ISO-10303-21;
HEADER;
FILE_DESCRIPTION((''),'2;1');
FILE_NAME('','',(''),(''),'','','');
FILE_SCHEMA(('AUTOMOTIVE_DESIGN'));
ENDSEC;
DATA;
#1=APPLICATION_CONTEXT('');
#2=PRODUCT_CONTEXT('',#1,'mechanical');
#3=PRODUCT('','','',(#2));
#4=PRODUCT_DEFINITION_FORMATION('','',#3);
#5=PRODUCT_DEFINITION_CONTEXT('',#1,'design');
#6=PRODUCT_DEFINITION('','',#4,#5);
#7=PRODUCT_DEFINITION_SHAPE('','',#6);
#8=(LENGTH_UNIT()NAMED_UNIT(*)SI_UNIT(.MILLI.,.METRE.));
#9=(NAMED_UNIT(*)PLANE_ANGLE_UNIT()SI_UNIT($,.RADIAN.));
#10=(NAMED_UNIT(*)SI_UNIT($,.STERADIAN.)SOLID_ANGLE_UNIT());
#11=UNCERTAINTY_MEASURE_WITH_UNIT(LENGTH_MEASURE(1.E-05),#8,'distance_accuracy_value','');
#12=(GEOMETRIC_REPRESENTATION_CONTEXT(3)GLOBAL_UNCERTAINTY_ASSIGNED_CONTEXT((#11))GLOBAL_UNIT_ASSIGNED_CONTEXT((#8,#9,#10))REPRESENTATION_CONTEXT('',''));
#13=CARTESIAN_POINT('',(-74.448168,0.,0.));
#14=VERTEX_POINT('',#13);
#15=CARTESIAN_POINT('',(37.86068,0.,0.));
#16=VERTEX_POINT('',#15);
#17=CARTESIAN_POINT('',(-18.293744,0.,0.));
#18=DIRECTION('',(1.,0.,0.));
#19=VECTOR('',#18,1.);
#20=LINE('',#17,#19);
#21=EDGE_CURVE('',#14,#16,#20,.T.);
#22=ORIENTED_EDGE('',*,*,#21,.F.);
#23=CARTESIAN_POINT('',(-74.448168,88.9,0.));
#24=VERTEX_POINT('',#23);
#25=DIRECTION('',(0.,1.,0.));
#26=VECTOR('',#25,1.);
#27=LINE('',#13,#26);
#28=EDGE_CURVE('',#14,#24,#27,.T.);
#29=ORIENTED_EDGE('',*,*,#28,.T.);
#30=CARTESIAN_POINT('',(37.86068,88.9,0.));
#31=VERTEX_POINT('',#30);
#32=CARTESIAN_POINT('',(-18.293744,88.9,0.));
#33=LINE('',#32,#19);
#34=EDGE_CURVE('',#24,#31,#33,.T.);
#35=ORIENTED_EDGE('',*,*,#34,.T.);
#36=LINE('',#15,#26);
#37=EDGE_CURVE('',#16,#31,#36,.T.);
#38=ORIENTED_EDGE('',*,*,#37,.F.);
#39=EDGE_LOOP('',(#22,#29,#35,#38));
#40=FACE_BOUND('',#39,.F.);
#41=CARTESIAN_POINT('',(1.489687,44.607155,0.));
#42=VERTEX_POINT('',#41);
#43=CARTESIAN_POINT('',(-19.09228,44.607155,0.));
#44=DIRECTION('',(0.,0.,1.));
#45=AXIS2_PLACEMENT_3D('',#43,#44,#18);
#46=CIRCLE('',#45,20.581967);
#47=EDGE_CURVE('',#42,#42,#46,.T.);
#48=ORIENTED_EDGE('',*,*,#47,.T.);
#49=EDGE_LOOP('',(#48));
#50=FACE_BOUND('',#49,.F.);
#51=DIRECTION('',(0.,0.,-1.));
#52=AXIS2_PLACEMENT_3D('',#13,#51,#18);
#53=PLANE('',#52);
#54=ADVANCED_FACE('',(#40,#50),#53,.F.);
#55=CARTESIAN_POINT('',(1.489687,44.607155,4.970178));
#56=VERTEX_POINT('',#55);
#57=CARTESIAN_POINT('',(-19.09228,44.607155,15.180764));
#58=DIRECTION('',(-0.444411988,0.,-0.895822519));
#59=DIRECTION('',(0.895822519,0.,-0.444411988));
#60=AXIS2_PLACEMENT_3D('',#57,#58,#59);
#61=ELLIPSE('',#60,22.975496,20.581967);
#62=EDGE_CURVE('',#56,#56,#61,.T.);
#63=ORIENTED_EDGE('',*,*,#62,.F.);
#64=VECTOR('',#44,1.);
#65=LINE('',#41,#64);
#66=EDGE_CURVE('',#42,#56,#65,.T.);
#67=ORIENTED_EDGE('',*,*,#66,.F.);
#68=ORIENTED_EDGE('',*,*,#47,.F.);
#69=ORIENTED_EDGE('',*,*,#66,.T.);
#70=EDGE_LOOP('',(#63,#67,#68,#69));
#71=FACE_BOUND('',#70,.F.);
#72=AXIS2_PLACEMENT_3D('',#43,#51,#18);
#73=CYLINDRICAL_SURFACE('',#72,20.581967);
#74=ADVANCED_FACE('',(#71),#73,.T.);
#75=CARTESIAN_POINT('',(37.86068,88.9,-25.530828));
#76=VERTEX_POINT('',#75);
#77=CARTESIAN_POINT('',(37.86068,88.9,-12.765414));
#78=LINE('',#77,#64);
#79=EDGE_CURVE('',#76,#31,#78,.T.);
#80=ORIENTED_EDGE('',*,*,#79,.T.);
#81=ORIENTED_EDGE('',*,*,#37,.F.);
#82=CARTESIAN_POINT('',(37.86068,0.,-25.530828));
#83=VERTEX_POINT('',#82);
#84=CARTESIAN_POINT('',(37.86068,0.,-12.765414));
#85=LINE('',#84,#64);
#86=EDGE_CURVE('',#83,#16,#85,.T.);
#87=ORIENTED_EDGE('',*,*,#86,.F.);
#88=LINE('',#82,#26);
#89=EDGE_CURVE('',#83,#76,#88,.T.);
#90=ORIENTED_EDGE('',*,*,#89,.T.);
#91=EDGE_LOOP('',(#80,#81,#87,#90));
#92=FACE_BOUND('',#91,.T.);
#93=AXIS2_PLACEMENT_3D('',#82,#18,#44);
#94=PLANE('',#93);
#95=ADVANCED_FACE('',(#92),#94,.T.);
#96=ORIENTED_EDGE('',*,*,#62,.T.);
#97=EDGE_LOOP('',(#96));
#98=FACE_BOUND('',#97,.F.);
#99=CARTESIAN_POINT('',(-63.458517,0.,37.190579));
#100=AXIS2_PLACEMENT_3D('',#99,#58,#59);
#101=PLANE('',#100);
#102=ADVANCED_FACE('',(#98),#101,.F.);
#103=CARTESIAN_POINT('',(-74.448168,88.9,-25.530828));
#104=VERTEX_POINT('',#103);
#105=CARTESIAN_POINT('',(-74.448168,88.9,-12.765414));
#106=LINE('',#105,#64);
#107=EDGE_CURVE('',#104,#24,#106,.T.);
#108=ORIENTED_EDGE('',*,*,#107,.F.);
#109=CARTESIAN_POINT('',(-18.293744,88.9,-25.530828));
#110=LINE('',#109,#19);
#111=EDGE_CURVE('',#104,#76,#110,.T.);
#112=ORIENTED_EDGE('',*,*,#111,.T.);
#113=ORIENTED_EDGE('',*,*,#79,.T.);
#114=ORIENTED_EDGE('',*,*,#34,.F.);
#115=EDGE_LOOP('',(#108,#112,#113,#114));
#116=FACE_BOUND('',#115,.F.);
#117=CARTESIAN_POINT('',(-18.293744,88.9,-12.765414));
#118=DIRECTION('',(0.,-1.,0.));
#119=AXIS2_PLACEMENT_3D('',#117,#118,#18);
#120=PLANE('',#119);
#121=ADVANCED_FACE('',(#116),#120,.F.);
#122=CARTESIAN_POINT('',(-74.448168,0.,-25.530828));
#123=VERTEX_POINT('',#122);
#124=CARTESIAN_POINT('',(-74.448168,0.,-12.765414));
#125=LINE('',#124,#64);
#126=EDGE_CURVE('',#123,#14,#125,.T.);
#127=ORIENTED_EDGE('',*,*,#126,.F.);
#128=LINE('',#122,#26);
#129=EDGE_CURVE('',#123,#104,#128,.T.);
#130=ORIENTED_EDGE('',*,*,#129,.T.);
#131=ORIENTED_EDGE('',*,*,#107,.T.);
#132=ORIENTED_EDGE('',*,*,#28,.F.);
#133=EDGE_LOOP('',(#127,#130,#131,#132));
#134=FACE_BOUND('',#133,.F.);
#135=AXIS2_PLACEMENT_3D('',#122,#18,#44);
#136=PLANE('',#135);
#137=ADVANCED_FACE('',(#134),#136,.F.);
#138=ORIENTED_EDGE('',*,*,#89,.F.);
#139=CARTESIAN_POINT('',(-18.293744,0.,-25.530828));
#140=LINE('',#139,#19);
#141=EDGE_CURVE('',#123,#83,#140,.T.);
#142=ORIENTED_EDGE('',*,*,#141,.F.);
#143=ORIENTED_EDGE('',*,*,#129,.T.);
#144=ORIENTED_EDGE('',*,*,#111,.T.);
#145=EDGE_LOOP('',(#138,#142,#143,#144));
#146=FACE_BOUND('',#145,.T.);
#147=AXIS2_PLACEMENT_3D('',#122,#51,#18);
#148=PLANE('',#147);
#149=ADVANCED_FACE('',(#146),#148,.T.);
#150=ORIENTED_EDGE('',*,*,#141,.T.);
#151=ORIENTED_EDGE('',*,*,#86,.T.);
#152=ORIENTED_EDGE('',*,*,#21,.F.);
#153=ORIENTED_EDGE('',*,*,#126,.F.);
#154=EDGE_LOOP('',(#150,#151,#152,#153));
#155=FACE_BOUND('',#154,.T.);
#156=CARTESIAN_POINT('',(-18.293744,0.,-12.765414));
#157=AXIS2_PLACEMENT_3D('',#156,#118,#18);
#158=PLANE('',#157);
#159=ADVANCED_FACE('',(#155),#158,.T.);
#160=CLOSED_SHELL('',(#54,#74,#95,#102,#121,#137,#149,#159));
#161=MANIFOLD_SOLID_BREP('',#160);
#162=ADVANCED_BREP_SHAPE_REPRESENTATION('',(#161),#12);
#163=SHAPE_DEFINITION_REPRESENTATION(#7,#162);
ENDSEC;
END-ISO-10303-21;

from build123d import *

# Parameters (mm, degrees)
F0_W     = 112.308848
F0_H     = 25.530828
F1_DEPTH = 88.9
F2_R     = 20.581967
F3_DEPTH = 25.4
F5_DEPTH = 177.8


with BuildPart() as f1:
    # F0 (on Front) → F1 (new body)
    with BuildSketch(Plane.XZ):
        with Locations((-18.293744, -12.765414)):
            Rectangle(F0_W, F0_H)
    extrude(amount=-F1_DEPTH)

    # F2 (on Top) → F3 (join)
    with BuildSketch(Plane.XY):
        with Locations((-19.09228, 44.607155)):
            Circle(F2_R)
    extrude(amount=F3_DEPTH)

    # F4 (on Front) → F5 (cut)
    with BuildSketch(Plane.XZ):
        Polygon((5.159772, 39.870981), (-63.458517, 37.190579), (5.159772, 3.149472), align=None)
    extrude(amount=-F5_DEPTH, mode=Mode.SUBTRACT)


solid = f1.part
